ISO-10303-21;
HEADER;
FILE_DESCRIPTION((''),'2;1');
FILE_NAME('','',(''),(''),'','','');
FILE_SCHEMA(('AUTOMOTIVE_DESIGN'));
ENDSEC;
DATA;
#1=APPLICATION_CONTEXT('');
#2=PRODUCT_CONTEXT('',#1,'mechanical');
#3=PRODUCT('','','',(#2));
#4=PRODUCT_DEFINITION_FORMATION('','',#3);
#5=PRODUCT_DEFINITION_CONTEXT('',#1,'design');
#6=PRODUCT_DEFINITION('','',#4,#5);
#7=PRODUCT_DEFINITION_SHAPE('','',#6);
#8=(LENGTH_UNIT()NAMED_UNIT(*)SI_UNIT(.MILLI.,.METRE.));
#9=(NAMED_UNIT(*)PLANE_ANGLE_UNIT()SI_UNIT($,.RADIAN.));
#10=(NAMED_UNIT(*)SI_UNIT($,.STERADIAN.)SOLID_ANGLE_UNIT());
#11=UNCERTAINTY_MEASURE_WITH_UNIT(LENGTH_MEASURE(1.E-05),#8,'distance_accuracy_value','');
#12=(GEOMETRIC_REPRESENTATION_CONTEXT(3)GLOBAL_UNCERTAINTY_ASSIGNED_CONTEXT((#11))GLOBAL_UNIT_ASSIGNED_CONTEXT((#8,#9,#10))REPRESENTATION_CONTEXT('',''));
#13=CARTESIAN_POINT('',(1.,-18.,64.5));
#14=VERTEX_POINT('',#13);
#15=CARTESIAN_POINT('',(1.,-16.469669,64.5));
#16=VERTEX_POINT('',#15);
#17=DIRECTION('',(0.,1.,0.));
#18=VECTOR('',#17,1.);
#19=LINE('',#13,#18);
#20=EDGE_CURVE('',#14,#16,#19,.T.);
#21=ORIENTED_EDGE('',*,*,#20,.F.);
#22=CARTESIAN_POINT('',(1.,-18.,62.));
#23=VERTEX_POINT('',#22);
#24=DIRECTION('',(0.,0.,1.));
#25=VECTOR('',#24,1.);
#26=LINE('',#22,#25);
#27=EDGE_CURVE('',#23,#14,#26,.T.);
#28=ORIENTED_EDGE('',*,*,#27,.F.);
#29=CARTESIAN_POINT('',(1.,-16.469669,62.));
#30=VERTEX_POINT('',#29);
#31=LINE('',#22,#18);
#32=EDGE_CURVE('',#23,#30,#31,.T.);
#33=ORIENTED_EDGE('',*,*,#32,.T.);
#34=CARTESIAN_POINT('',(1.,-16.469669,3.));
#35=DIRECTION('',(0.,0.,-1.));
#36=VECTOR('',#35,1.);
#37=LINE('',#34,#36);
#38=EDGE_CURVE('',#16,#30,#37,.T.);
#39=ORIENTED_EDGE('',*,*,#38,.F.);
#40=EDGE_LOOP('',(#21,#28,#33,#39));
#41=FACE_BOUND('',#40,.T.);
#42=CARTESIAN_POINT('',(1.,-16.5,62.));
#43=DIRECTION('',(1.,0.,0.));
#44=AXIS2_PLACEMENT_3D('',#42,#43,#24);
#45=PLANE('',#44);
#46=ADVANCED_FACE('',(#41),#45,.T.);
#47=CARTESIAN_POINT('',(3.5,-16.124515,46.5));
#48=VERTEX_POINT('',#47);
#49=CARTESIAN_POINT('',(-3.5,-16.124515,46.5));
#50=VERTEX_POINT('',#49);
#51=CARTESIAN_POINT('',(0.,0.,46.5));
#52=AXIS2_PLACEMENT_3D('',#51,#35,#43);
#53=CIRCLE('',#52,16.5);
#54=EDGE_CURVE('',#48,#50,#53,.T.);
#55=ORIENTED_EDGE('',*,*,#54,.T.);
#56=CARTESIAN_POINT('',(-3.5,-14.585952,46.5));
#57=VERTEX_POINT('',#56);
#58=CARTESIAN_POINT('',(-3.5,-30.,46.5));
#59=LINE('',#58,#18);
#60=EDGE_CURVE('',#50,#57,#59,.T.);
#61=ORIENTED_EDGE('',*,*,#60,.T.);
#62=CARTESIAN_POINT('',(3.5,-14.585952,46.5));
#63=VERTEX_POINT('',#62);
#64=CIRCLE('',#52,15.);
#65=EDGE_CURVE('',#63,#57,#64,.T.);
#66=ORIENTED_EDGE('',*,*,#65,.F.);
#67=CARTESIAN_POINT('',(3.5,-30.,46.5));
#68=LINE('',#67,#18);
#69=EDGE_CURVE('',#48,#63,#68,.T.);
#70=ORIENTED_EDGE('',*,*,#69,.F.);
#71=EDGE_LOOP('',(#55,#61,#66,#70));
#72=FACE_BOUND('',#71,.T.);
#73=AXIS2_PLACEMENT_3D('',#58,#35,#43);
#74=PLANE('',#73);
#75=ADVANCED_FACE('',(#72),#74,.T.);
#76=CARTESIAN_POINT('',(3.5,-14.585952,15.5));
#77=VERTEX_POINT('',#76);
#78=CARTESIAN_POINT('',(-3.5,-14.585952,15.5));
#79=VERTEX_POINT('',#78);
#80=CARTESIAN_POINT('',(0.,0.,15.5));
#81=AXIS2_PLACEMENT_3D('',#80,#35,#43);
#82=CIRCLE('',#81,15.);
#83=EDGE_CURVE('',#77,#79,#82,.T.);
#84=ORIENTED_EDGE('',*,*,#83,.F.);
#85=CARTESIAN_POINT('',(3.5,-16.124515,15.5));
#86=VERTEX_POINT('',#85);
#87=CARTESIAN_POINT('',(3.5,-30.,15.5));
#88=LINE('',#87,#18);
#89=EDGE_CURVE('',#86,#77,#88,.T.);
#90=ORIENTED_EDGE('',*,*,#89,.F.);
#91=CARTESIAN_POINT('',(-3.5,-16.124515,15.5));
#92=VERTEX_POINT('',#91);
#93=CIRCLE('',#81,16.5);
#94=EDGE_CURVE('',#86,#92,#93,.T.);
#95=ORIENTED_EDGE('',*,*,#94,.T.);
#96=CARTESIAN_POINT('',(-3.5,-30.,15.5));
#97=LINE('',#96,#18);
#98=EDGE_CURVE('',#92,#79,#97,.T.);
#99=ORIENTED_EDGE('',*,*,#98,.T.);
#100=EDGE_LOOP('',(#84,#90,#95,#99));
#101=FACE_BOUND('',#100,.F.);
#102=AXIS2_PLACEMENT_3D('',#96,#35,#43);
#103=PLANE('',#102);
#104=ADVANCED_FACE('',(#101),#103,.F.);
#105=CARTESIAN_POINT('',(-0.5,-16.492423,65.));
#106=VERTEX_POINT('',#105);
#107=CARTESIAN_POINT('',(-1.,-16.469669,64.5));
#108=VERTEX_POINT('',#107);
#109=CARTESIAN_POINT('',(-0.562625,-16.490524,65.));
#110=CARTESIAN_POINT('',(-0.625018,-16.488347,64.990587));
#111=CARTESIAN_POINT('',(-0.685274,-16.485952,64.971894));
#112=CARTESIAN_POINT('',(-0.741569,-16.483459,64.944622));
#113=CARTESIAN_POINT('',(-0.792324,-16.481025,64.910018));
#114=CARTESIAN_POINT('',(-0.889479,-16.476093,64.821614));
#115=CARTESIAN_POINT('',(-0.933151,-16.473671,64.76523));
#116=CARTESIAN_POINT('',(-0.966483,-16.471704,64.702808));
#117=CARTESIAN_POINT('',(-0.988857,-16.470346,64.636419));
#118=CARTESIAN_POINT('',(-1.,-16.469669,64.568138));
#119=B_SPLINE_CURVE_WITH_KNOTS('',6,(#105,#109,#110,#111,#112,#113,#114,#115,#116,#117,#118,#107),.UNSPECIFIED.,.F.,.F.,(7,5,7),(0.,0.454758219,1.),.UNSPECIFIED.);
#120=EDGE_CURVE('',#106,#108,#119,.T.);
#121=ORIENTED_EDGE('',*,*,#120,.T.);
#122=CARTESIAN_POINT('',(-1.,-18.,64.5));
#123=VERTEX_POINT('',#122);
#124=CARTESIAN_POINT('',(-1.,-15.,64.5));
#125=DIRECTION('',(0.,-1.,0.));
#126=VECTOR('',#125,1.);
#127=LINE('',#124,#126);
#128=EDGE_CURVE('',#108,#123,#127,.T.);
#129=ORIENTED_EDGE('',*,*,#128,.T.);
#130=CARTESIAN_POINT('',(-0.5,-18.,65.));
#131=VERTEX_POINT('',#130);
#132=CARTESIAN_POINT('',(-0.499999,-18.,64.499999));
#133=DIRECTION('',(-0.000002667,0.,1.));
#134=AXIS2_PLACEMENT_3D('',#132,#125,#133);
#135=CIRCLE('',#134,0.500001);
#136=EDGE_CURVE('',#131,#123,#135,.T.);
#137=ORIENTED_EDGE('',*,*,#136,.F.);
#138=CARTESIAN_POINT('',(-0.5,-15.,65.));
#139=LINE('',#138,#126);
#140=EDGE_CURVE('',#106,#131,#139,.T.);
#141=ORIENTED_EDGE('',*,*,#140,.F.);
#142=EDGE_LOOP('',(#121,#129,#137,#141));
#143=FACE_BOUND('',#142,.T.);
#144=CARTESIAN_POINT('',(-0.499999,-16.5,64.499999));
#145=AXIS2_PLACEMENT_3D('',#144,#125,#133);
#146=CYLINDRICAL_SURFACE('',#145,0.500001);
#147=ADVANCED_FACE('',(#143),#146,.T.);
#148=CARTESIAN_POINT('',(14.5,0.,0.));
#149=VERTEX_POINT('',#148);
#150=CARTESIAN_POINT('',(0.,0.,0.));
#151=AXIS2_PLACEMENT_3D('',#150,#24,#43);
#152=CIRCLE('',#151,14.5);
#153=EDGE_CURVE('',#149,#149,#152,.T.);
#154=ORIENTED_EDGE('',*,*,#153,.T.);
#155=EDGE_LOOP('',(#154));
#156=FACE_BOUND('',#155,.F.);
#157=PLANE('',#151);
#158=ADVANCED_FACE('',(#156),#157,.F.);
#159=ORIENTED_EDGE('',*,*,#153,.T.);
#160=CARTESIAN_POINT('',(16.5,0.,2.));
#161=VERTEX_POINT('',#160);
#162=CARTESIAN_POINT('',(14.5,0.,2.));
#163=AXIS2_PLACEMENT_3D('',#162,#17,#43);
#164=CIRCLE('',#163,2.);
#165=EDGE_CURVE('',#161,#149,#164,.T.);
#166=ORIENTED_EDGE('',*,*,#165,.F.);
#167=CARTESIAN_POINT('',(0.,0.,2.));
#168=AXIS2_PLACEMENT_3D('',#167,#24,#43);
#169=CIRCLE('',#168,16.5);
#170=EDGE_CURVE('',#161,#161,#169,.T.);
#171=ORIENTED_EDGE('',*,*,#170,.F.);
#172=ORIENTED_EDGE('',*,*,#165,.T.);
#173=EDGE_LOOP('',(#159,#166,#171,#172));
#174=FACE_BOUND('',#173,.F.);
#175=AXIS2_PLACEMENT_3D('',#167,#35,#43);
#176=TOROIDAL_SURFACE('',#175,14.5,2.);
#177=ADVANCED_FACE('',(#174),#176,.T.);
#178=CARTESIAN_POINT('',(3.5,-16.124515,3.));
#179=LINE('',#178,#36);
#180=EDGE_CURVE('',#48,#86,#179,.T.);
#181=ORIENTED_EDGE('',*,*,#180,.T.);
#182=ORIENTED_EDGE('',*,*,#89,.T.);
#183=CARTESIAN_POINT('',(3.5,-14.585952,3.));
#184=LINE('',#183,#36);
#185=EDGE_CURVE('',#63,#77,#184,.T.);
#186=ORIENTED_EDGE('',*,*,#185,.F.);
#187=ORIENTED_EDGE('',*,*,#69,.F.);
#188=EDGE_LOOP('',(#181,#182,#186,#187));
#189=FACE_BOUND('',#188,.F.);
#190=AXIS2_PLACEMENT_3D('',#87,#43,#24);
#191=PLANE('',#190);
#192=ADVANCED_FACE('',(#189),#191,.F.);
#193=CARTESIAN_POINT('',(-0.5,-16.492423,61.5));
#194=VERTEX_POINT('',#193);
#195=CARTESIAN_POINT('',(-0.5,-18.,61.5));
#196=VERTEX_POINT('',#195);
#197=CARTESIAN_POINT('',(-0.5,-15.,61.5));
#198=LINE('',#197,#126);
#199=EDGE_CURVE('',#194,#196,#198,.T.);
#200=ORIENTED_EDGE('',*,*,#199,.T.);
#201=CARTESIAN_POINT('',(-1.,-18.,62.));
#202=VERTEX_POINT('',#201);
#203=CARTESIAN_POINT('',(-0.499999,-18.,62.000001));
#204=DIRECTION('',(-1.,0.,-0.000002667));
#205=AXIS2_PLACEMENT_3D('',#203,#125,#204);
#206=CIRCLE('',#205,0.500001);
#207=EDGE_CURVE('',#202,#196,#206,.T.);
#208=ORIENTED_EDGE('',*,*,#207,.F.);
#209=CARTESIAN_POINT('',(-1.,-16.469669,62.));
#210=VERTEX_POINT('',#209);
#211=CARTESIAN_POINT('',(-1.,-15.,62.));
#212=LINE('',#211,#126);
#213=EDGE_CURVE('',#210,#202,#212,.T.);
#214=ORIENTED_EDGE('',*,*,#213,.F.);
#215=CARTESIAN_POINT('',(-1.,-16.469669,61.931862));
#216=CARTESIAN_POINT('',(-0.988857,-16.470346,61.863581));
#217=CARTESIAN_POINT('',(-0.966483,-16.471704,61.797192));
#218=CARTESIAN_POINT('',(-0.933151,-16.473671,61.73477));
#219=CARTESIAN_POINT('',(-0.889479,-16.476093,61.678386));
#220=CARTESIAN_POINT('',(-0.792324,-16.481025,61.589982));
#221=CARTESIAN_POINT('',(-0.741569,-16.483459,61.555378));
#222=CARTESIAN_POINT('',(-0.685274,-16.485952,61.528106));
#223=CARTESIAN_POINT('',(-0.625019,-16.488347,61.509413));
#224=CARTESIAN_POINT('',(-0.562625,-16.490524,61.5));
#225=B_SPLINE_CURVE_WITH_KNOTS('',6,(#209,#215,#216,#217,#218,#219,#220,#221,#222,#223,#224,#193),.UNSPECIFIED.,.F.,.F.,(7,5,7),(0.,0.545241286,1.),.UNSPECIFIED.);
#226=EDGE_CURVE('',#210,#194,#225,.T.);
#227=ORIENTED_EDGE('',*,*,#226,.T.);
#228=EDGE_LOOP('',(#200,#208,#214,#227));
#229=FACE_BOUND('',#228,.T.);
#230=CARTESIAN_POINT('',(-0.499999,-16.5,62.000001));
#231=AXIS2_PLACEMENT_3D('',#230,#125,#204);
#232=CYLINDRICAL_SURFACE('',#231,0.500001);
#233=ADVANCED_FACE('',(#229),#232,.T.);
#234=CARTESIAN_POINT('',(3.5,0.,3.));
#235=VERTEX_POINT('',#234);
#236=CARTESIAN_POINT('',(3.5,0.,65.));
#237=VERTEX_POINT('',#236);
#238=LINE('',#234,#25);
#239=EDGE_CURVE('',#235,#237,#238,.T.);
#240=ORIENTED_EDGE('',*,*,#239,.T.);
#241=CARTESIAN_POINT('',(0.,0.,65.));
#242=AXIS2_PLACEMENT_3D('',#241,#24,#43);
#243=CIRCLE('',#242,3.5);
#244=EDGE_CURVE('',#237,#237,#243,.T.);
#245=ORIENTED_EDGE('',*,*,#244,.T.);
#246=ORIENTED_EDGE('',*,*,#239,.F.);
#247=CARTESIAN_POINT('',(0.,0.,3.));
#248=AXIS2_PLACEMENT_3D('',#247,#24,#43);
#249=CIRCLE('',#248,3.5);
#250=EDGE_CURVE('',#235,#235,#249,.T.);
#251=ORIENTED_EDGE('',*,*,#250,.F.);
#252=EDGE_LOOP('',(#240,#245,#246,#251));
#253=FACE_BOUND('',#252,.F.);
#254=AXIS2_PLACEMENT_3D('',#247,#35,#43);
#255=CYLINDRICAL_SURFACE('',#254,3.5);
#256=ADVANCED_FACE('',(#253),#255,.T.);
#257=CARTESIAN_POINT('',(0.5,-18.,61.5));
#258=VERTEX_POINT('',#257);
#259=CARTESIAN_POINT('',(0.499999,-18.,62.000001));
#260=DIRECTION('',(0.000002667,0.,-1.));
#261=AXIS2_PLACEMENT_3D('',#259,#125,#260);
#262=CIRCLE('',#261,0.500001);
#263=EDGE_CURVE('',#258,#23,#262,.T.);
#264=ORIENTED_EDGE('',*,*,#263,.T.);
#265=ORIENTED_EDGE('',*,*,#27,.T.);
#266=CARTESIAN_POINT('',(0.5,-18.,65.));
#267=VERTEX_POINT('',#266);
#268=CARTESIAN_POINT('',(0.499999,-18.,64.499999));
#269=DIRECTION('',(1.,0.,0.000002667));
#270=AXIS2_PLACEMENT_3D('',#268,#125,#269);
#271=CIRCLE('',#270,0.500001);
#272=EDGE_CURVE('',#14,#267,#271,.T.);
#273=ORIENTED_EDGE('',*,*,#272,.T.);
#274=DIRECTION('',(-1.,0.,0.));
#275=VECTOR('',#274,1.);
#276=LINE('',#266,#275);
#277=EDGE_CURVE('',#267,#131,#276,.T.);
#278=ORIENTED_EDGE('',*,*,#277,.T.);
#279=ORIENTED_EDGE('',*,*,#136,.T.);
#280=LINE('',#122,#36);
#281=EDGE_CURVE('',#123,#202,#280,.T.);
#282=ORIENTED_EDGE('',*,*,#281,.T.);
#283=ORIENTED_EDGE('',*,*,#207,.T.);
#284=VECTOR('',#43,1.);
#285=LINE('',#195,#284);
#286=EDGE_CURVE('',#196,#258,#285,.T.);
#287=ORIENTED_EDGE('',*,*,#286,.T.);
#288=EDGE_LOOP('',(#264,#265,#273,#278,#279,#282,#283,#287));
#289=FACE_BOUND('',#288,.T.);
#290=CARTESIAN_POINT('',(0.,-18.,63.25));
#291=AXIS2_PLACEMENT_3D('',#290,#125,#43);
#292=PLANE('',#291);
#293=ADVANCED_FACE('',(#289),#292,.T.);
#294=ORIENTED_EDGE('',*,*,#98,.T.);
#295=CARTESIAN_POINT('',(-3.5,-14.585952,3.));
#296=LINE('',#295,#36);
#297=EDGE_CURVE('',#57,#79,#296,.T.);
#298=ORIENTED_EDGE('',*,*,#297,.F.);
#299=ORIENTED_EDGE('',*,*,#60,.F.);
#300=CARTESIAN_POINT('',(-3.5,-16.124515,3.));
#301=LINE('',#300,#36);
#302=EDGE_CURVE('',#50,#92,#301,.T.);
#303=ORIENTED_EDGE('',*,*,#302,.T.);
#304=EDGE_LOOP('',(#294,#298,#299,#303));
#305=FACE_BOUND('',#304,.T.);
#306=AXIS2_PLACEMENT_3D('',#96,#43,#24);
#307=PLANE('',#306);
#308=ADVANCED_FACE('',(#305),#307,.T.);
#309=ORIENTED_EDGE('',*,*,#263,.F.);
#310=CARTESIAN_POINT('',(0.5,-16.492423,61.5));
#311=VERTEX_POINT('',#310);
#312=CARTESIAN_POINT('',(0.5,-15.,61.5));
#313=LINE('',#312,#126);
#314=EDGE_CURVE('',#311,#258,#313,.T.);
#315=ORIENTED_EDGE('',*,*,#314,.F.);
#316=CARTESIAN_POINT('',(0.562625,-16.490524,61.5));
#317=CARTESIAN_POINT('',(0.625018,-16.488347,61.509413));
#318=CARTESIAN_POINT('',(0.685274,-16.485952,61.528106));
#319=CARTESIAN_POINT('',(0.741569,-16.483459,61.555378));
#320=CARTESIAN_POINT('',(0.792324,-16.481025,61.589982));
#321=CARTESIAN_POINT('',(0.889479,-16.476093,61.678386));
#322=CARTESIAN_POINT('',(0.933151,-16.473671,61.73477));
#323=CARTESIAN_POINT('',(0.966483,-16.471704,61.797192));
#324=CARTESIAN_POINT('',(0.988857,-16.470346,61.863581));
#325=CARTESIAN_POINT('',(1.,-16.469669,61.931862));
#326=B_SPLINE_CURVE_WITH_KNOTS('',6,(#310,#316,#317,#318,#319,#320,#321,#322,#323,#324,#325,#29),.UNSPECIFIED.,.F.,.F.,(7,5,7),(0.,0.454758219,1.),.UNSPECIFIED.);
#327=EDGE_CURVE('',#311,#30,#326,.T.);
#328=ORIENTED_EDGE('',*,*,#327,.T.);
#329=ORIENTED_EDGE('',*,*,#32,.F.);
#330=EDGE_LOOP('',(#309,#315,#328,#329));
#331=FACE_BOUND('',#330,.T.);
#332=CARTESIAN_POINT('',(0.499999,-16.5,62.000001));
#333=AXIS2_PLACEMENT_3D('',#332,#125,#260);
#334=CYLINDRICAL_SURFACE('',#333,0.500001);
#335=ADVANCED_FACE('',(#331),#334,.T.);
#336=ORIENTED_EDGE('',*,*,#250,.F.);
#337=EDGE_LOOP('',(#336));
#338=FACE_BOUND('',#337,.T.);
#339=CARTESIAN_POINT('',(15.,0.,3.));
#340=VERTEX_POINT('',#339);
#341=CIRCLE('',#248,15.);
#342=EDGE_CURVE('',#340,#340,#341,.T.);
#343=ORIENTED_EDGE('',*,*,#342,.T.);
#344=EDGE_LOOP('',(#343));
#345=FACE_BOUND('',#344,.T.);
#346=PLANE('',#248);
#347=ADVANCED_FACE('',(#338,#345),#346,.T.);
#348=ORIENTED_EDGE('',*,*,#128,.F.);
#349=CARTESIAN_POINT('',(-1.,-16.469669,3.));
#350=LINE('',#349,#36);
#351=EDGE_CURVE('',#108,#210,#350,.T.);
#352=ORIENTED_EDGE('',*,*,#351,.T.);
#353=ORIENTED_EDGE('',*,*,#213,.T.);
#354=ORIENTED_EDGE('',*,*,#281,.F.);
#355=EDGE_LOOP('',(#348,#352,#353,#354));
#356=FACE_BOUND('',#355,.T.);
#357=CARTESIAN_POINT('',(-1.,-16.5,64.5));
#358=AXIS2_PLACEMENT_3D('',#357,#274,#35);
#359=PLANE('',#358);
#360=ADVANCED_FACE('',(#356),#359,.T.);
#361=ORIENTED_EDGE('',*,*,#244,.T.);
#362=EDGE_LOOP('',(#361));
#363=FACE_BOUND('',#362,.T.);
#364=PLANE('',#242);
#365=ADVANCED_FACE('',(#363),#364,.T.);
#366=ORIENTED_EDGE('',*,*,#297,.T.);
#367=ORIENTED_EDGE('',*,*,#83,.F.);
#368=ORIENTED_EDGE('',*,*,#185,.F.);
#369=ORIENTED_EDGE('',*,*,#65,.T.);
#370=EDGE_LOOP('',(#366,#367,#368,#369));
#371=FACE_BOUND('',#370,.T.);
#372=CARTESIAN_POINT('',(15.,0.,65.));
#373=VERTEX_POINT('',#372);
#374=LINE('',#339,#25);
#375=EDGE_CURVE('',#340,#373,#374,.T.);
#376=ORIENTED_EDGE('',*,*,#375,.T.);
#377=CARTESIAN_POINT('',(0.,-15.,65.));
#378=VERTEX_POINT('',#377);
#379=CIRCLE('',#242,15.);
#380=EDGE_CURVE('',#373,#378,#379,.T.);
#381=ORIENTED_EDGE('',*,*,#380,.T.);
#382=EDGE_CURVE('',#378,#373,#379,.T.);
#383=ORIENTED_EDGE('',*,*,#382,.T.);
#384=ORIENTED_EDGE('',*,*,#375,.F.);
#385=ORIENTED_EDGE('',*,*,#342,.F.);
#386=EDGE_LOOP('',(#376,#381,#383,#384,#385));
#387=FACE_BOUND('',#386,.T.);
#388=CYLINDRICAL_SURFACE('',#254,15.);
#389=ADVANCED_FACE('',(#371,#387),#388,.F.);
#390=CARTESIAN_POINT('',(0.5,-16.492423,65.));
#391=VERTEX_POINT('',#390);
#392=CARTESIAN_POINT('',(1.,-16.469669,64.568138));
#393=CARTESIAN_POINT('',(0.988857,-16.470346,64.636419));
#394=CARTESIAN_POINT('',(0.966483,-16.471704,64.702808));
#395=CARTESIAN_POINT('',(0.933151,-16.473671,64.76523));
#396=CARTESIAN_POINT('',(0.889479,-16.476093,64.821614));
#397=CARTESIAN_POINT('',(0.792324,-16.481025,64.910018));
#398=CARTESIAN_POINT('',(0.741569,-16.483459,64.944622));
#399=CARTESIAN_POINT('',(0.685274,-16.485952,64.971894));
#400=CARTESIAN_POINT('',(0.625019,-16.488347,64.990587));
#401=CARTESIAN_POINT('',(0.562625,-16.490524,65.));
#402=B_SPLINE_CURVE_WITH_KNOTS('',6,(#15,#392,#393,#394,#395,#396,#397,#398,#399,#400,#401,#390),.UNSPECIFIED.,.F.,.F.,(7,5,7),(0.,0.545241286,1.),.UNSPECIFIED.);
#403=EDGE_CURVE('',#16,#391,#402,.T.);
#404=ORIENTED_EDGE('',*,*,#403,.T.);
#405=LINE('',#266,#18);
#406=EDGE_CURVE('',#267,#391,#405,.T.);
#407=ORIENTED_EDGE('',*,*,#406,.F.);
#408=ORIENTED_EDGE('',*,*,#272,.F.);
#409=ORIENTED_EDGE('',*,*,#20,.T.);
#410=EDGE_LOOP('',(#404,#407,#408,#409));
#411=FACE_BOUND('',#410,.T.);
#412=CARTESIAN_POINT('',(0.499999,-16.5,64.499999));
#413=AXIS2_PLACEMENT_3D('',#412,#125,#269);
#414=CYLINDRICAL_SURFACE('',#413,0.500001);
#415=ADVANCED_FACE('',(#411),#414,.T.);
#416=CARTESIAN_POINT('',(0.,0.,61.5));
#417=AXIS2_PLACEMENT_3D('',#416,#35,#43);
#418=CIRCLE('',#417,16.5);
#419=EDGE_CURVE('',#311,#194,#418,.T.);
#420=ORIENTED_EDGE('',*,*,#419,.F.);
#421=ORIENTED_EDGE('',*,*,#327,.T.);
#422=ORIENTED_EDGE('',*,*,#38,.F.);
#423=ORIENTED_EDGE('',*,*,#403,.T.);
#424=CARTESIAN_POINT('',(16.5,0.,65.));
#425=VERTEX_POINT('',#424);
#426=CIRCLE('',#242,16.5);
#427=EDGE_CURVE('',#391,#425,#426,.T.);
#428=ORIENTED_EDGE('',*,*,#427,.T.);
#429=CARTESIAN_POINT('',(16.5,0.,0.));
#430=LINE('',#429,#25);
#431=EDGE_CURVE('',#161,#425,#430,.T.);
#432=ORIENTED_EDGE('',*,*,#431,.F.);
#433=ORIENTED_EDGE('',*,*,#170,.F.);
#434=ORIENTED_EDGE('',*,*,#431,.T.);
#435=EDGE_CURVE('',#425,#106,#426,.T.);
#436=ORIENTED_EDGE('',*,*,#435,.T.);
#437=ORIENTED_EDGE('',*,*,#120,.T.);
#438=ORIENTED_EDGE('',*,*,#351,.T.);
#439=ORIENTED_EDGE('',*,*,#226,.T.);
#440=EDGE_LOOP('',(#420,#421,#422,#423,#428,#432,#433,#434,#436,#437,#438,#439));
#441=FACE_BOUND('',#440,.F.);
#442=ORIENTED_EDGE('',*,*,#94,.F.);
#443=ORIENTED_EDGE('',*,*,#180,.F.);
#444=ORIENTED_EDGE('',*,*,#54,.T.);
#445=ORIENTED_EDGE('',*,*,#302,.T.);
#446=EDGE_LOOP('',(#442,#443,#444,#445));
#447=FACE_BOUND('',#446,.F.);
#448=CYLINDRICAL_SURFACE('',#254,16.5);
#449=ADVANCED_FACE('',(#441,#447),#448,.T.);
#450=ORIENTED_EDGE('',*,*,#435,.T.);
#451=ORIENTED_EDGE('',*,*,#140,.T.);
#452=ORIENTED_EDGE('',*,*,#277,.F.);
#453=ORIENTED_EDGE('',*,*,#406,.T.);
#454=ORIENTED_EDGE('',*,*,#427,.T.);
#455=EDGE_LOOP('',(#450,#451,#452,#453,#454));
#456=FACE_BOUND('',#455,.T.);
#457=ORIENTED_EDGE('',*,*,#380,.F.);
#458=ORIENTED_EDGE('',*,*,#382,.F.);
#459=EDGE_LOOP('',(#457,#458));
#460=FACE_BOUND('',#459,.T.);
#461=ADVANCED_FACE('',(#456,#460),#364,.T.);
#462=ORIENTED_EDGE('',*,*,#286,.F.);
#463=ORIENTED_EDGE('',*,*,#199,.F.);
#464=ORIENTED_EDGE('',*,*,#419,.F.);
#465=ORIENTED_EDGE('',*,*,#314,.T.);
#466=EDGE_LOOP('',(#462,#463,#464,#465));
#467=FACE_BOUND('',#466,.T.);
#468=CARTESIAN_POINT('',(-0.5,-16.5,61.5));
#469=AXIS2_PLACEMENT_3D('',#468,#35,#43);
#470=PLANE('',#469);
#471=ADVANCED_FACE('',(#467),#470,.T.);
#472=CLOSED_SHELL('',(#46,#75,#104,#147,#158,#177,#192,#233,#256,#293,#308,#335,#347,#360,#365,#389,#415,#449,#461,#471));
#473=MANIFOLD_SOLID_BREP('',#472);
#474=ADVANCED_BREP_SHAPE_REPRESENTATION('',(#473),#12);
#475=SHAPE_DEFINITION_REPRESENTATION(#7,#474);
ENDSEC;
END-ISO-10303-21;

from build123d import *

# Parameters (mm, degrees)
F0_R      = 16.5
F0_R_2    = 15
F1_DEPTH  = 3
F2_R      = 16.5
F2_R_2    = 15
F3_DEPTH  = 62
F4_R      = 3.5
F5_DEPTH  = 62
F7_W      = 7
F7_H      = 31
F8_DEPTH  = 20
F11_DEPTH = 1.5
F12_R     = 2


with BuildPart() as f1:
    # F0 (on Top) → F1 (new body)
    with BuildSketch(Plane.XY):
        Circle(F0_R)
        Circle(F0_R_2, mode=Mode.SUBTRACT)
        Circle(F0_R_2)
    extrude(amount=F1_DEPTH)

    # F2 (on face) → F3 (join)
    with BuildSketch(Plane.XY.offset(3)):
        Circle(F2_R)
        Circle(F2_R_2, mode=Mode.SUBTRACT)
    extrude(amount=F3_DEPTH)

    # F4 (on face) → F5 (join)
    with BuildSketch(Plane.XY.offset(3)):
        Circle(F4_R)
    extrude(amount=F5_DEPTH)

    # F7 (on offset) → F8 (cut)
    with BuildSketch(Plane.XZ.offset(30)):
        with Locations((0, 31)):
            Rectangle(F7_W, F7_H)
    extrude(amount=-F8_DEPTH, mode=Mode.SUBTRACT)

    # F10 (on offset) → F11 (join, symmetric)
    with BuildSketch(Plane.XZ.offset(16.5)):
        with BuildLine():
            Line((0.5, 65), (0, 65))
            Line((0, 65), (-0.5, 65))
            ThreePointArc((-0.5, 65), (-0.853553, 64.853553), (-1, 64.5))
            Line((-1, 64.5), (-1, 62))
            ThreePointArc((-1, 62), (-0.853553, 61.646447), (-0.5, 61.5))
            Line((-0.5, 61.5), (0.5, 61.5))
            ThreePointArc((0.5, 61.5), (0.853553, 61.646447), (1, 62))
            Line((1, 62), (1, 64.5))
            ThreePointArc((1, 64.5), (0.853553, 64.853553), (0.5, 65))
        make_face()
    extrude(amount=F11_DEPTH, both=True)

    # F12
    f12_edges = [f1.edges().sort_by_distance(p)[0] for p in [
        (-16.5, 0, 0),
    ]]
    fillet(f12_edges, radius=F12_R)


solid = f1.part
